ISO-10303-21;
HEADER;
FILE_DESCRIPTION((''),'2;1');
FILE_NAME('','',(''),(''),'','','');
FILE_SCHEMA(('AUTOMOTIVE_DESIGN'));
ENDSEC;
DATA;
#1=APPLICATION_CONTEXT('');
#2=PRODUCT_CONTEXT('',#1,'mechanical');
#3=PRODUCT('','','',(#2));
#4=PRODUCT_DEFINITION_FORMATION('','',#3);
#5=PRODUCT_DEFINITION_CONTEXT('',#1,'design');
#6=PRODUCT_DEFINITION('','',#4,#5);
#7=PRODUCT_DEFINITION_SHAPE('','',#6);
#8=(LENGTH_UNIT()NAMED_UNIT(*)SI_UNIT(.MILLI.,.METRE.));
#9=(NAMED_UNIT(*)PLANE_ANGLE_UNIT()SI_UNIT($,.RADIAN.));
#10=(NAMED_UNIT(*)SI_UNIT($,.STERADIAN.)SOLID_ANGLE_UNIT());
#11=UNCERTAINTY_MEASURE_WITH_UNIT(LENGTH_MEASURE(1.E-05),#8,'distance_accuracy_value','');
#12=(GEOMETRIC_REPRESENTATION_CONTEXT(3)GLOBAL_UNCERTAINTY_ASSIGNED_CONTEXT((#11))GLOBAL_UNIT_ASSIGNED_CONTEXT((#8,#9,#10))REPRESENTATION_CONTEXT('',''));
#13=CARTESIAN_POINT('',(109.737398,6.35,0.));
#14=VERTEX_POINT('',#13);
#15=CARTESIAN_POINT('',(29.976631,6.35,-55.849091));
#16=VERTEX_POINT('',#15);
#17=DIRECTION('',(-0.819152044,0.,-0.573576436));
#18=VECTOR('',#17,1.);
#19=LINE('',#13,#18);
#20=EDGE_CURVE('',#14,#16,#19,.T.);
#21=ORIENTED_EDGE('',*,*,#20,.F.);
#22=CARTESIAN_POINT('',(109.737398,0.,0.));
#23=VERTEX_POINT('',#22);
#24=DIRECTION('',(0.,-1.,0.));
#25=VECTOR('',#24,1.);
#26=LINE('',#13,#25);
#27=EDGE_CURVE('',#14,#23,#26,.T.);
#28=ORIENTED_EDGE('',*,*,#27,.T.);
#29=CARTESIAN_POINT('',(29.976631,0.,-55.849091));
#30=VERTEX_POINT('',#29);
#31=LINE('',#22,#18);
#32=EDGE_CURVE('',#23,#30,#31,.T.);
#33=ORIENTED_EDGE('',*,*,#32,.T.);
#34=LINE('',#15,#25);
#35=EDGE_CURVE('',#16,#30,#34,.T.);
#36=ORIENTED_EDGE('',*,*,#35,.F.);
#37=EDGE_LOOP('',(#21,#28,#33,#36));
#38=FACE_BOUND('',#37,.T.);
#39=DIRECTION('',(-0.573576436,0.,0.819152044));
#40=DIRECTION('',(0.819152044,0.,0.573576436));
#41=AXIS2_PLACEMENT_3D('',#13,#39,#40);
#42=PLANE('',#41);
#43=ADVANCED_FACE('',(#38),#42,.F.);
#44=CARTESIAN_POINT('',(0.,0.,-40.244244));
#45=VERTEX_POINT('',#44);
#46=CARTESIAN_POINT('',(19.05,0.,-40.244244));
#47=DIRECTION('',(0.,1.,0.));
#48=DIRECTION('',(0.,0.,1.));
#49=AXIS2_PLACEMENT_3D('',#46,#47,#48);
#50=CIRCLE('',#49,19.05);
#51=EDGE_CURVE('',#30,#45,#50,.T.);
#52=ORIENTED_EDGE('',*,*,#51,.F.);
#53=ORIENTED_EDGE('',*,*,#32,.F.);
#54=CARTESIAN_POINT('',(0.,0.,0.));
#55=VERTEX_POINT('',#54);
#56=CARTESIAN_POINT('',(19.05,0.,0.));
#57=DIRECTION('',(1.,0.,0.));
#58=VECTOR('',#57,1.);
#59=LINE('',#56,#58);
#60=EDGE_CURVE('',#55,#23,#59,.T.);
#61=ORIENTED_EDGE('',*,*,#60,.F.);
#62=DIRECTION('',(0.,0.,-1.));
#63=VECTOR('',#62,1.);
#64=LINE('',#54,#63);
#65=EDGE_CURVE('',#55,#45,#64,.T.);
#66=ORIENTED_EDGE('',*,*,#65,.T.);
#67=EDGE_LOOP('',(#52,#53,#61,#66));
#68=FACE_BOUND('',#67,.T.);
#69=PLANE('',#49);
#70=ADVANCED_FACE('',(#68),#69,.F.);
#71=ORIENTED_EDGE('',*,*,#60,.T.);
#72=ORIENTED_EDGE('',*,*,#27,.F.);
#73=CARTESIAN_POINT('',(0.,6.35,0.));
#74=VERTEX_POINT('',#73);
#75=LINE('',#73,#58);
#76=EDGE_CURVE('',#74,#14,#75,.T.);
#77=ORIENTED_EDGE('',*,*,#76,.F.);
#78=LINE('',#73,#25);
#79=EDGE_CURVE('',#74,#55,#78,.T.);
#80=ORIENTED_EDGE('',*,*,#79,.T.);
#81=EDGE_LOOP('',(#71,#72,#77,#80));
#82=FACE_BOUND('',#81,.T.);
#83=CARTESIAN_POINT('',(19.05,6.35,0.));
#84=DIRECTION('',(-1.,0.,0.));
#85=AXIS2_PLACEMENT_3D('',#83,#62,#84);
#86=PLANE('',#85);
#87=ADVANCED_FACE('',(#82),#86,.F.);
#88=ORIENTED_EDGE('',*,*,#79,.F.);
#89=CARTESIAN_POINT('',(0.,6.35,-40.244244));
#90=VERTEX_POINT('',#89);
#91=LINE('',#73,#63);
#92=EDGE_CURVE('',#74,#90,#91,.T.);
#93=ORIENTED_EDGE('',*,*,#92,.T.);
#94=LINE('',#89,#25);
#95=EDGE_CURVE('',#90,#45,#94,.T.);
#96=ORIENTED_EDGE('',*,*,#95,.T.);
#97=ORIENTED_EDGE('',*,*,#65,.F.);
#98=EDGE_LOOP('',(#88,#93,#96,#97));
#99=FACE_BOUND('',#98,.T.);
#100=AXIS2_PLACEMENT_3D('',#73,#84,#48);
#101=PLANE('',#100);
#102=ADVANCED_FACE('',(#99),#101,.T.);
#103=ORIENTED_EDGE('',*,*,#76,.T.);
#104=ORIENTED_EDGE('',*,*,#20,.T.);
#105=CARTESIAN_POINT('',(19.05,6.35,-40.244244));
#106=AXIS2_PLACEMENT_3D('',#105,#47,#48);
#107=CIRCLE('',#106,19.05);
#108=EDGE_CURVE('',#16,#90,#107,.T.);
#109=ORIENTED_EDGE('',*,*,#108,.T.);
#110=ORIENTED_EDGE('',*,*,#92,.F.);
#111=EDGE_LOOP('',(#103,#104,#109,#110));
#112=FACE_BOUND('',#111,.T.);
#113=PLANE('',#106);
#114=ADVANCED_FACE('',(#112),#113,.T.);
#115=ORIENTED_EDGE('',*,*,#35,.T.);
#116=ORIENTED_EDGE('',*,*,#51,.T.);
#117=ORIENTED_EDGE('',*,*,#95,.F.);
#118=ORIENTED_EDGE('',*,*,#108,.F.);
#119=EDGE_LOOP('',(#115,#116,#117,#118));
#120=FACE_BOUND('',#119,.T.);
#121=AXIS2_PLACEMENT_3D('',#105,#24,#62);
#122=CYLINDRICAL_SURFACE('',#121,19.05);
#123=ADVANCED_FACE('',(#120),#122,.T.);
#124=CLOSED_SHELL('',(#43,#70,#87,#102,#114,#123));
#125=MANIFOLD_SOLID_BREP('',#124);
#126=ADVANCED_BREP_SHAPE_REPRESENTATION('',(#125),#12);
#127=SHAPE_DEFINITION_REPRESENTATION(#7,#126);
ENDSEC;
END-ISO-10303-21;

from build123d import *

# Parameters (mm, degrees)
BOSS_EXTRUDE2_DEPTH = 6.35


with BuildPart() as part:
    # Sketch1 → Boss-Extrude2 (new body)
    with BuildSketch(Plane(origin=(0, 0, 0), x_dir=(1, 0, 0), z_dir=(0, 1, 0))):
        with BuildLine():
            Line((19.05, 0), (109.737398428, 0))
            Line((109.737398428, 0), (29.976631112, 55.849090528))
            ThreePointArc((29.976631112, 55.849090528), (10.253688918, 57.141800456), (0, 40.244244084))
            Line((0, 40.244244084), (0, 0))
            Line((0, 0), (19.05, 0))
        make_face()
    extrude(amount=BOSS_EXTRUDE2_DEPTH)


solid = part.part
